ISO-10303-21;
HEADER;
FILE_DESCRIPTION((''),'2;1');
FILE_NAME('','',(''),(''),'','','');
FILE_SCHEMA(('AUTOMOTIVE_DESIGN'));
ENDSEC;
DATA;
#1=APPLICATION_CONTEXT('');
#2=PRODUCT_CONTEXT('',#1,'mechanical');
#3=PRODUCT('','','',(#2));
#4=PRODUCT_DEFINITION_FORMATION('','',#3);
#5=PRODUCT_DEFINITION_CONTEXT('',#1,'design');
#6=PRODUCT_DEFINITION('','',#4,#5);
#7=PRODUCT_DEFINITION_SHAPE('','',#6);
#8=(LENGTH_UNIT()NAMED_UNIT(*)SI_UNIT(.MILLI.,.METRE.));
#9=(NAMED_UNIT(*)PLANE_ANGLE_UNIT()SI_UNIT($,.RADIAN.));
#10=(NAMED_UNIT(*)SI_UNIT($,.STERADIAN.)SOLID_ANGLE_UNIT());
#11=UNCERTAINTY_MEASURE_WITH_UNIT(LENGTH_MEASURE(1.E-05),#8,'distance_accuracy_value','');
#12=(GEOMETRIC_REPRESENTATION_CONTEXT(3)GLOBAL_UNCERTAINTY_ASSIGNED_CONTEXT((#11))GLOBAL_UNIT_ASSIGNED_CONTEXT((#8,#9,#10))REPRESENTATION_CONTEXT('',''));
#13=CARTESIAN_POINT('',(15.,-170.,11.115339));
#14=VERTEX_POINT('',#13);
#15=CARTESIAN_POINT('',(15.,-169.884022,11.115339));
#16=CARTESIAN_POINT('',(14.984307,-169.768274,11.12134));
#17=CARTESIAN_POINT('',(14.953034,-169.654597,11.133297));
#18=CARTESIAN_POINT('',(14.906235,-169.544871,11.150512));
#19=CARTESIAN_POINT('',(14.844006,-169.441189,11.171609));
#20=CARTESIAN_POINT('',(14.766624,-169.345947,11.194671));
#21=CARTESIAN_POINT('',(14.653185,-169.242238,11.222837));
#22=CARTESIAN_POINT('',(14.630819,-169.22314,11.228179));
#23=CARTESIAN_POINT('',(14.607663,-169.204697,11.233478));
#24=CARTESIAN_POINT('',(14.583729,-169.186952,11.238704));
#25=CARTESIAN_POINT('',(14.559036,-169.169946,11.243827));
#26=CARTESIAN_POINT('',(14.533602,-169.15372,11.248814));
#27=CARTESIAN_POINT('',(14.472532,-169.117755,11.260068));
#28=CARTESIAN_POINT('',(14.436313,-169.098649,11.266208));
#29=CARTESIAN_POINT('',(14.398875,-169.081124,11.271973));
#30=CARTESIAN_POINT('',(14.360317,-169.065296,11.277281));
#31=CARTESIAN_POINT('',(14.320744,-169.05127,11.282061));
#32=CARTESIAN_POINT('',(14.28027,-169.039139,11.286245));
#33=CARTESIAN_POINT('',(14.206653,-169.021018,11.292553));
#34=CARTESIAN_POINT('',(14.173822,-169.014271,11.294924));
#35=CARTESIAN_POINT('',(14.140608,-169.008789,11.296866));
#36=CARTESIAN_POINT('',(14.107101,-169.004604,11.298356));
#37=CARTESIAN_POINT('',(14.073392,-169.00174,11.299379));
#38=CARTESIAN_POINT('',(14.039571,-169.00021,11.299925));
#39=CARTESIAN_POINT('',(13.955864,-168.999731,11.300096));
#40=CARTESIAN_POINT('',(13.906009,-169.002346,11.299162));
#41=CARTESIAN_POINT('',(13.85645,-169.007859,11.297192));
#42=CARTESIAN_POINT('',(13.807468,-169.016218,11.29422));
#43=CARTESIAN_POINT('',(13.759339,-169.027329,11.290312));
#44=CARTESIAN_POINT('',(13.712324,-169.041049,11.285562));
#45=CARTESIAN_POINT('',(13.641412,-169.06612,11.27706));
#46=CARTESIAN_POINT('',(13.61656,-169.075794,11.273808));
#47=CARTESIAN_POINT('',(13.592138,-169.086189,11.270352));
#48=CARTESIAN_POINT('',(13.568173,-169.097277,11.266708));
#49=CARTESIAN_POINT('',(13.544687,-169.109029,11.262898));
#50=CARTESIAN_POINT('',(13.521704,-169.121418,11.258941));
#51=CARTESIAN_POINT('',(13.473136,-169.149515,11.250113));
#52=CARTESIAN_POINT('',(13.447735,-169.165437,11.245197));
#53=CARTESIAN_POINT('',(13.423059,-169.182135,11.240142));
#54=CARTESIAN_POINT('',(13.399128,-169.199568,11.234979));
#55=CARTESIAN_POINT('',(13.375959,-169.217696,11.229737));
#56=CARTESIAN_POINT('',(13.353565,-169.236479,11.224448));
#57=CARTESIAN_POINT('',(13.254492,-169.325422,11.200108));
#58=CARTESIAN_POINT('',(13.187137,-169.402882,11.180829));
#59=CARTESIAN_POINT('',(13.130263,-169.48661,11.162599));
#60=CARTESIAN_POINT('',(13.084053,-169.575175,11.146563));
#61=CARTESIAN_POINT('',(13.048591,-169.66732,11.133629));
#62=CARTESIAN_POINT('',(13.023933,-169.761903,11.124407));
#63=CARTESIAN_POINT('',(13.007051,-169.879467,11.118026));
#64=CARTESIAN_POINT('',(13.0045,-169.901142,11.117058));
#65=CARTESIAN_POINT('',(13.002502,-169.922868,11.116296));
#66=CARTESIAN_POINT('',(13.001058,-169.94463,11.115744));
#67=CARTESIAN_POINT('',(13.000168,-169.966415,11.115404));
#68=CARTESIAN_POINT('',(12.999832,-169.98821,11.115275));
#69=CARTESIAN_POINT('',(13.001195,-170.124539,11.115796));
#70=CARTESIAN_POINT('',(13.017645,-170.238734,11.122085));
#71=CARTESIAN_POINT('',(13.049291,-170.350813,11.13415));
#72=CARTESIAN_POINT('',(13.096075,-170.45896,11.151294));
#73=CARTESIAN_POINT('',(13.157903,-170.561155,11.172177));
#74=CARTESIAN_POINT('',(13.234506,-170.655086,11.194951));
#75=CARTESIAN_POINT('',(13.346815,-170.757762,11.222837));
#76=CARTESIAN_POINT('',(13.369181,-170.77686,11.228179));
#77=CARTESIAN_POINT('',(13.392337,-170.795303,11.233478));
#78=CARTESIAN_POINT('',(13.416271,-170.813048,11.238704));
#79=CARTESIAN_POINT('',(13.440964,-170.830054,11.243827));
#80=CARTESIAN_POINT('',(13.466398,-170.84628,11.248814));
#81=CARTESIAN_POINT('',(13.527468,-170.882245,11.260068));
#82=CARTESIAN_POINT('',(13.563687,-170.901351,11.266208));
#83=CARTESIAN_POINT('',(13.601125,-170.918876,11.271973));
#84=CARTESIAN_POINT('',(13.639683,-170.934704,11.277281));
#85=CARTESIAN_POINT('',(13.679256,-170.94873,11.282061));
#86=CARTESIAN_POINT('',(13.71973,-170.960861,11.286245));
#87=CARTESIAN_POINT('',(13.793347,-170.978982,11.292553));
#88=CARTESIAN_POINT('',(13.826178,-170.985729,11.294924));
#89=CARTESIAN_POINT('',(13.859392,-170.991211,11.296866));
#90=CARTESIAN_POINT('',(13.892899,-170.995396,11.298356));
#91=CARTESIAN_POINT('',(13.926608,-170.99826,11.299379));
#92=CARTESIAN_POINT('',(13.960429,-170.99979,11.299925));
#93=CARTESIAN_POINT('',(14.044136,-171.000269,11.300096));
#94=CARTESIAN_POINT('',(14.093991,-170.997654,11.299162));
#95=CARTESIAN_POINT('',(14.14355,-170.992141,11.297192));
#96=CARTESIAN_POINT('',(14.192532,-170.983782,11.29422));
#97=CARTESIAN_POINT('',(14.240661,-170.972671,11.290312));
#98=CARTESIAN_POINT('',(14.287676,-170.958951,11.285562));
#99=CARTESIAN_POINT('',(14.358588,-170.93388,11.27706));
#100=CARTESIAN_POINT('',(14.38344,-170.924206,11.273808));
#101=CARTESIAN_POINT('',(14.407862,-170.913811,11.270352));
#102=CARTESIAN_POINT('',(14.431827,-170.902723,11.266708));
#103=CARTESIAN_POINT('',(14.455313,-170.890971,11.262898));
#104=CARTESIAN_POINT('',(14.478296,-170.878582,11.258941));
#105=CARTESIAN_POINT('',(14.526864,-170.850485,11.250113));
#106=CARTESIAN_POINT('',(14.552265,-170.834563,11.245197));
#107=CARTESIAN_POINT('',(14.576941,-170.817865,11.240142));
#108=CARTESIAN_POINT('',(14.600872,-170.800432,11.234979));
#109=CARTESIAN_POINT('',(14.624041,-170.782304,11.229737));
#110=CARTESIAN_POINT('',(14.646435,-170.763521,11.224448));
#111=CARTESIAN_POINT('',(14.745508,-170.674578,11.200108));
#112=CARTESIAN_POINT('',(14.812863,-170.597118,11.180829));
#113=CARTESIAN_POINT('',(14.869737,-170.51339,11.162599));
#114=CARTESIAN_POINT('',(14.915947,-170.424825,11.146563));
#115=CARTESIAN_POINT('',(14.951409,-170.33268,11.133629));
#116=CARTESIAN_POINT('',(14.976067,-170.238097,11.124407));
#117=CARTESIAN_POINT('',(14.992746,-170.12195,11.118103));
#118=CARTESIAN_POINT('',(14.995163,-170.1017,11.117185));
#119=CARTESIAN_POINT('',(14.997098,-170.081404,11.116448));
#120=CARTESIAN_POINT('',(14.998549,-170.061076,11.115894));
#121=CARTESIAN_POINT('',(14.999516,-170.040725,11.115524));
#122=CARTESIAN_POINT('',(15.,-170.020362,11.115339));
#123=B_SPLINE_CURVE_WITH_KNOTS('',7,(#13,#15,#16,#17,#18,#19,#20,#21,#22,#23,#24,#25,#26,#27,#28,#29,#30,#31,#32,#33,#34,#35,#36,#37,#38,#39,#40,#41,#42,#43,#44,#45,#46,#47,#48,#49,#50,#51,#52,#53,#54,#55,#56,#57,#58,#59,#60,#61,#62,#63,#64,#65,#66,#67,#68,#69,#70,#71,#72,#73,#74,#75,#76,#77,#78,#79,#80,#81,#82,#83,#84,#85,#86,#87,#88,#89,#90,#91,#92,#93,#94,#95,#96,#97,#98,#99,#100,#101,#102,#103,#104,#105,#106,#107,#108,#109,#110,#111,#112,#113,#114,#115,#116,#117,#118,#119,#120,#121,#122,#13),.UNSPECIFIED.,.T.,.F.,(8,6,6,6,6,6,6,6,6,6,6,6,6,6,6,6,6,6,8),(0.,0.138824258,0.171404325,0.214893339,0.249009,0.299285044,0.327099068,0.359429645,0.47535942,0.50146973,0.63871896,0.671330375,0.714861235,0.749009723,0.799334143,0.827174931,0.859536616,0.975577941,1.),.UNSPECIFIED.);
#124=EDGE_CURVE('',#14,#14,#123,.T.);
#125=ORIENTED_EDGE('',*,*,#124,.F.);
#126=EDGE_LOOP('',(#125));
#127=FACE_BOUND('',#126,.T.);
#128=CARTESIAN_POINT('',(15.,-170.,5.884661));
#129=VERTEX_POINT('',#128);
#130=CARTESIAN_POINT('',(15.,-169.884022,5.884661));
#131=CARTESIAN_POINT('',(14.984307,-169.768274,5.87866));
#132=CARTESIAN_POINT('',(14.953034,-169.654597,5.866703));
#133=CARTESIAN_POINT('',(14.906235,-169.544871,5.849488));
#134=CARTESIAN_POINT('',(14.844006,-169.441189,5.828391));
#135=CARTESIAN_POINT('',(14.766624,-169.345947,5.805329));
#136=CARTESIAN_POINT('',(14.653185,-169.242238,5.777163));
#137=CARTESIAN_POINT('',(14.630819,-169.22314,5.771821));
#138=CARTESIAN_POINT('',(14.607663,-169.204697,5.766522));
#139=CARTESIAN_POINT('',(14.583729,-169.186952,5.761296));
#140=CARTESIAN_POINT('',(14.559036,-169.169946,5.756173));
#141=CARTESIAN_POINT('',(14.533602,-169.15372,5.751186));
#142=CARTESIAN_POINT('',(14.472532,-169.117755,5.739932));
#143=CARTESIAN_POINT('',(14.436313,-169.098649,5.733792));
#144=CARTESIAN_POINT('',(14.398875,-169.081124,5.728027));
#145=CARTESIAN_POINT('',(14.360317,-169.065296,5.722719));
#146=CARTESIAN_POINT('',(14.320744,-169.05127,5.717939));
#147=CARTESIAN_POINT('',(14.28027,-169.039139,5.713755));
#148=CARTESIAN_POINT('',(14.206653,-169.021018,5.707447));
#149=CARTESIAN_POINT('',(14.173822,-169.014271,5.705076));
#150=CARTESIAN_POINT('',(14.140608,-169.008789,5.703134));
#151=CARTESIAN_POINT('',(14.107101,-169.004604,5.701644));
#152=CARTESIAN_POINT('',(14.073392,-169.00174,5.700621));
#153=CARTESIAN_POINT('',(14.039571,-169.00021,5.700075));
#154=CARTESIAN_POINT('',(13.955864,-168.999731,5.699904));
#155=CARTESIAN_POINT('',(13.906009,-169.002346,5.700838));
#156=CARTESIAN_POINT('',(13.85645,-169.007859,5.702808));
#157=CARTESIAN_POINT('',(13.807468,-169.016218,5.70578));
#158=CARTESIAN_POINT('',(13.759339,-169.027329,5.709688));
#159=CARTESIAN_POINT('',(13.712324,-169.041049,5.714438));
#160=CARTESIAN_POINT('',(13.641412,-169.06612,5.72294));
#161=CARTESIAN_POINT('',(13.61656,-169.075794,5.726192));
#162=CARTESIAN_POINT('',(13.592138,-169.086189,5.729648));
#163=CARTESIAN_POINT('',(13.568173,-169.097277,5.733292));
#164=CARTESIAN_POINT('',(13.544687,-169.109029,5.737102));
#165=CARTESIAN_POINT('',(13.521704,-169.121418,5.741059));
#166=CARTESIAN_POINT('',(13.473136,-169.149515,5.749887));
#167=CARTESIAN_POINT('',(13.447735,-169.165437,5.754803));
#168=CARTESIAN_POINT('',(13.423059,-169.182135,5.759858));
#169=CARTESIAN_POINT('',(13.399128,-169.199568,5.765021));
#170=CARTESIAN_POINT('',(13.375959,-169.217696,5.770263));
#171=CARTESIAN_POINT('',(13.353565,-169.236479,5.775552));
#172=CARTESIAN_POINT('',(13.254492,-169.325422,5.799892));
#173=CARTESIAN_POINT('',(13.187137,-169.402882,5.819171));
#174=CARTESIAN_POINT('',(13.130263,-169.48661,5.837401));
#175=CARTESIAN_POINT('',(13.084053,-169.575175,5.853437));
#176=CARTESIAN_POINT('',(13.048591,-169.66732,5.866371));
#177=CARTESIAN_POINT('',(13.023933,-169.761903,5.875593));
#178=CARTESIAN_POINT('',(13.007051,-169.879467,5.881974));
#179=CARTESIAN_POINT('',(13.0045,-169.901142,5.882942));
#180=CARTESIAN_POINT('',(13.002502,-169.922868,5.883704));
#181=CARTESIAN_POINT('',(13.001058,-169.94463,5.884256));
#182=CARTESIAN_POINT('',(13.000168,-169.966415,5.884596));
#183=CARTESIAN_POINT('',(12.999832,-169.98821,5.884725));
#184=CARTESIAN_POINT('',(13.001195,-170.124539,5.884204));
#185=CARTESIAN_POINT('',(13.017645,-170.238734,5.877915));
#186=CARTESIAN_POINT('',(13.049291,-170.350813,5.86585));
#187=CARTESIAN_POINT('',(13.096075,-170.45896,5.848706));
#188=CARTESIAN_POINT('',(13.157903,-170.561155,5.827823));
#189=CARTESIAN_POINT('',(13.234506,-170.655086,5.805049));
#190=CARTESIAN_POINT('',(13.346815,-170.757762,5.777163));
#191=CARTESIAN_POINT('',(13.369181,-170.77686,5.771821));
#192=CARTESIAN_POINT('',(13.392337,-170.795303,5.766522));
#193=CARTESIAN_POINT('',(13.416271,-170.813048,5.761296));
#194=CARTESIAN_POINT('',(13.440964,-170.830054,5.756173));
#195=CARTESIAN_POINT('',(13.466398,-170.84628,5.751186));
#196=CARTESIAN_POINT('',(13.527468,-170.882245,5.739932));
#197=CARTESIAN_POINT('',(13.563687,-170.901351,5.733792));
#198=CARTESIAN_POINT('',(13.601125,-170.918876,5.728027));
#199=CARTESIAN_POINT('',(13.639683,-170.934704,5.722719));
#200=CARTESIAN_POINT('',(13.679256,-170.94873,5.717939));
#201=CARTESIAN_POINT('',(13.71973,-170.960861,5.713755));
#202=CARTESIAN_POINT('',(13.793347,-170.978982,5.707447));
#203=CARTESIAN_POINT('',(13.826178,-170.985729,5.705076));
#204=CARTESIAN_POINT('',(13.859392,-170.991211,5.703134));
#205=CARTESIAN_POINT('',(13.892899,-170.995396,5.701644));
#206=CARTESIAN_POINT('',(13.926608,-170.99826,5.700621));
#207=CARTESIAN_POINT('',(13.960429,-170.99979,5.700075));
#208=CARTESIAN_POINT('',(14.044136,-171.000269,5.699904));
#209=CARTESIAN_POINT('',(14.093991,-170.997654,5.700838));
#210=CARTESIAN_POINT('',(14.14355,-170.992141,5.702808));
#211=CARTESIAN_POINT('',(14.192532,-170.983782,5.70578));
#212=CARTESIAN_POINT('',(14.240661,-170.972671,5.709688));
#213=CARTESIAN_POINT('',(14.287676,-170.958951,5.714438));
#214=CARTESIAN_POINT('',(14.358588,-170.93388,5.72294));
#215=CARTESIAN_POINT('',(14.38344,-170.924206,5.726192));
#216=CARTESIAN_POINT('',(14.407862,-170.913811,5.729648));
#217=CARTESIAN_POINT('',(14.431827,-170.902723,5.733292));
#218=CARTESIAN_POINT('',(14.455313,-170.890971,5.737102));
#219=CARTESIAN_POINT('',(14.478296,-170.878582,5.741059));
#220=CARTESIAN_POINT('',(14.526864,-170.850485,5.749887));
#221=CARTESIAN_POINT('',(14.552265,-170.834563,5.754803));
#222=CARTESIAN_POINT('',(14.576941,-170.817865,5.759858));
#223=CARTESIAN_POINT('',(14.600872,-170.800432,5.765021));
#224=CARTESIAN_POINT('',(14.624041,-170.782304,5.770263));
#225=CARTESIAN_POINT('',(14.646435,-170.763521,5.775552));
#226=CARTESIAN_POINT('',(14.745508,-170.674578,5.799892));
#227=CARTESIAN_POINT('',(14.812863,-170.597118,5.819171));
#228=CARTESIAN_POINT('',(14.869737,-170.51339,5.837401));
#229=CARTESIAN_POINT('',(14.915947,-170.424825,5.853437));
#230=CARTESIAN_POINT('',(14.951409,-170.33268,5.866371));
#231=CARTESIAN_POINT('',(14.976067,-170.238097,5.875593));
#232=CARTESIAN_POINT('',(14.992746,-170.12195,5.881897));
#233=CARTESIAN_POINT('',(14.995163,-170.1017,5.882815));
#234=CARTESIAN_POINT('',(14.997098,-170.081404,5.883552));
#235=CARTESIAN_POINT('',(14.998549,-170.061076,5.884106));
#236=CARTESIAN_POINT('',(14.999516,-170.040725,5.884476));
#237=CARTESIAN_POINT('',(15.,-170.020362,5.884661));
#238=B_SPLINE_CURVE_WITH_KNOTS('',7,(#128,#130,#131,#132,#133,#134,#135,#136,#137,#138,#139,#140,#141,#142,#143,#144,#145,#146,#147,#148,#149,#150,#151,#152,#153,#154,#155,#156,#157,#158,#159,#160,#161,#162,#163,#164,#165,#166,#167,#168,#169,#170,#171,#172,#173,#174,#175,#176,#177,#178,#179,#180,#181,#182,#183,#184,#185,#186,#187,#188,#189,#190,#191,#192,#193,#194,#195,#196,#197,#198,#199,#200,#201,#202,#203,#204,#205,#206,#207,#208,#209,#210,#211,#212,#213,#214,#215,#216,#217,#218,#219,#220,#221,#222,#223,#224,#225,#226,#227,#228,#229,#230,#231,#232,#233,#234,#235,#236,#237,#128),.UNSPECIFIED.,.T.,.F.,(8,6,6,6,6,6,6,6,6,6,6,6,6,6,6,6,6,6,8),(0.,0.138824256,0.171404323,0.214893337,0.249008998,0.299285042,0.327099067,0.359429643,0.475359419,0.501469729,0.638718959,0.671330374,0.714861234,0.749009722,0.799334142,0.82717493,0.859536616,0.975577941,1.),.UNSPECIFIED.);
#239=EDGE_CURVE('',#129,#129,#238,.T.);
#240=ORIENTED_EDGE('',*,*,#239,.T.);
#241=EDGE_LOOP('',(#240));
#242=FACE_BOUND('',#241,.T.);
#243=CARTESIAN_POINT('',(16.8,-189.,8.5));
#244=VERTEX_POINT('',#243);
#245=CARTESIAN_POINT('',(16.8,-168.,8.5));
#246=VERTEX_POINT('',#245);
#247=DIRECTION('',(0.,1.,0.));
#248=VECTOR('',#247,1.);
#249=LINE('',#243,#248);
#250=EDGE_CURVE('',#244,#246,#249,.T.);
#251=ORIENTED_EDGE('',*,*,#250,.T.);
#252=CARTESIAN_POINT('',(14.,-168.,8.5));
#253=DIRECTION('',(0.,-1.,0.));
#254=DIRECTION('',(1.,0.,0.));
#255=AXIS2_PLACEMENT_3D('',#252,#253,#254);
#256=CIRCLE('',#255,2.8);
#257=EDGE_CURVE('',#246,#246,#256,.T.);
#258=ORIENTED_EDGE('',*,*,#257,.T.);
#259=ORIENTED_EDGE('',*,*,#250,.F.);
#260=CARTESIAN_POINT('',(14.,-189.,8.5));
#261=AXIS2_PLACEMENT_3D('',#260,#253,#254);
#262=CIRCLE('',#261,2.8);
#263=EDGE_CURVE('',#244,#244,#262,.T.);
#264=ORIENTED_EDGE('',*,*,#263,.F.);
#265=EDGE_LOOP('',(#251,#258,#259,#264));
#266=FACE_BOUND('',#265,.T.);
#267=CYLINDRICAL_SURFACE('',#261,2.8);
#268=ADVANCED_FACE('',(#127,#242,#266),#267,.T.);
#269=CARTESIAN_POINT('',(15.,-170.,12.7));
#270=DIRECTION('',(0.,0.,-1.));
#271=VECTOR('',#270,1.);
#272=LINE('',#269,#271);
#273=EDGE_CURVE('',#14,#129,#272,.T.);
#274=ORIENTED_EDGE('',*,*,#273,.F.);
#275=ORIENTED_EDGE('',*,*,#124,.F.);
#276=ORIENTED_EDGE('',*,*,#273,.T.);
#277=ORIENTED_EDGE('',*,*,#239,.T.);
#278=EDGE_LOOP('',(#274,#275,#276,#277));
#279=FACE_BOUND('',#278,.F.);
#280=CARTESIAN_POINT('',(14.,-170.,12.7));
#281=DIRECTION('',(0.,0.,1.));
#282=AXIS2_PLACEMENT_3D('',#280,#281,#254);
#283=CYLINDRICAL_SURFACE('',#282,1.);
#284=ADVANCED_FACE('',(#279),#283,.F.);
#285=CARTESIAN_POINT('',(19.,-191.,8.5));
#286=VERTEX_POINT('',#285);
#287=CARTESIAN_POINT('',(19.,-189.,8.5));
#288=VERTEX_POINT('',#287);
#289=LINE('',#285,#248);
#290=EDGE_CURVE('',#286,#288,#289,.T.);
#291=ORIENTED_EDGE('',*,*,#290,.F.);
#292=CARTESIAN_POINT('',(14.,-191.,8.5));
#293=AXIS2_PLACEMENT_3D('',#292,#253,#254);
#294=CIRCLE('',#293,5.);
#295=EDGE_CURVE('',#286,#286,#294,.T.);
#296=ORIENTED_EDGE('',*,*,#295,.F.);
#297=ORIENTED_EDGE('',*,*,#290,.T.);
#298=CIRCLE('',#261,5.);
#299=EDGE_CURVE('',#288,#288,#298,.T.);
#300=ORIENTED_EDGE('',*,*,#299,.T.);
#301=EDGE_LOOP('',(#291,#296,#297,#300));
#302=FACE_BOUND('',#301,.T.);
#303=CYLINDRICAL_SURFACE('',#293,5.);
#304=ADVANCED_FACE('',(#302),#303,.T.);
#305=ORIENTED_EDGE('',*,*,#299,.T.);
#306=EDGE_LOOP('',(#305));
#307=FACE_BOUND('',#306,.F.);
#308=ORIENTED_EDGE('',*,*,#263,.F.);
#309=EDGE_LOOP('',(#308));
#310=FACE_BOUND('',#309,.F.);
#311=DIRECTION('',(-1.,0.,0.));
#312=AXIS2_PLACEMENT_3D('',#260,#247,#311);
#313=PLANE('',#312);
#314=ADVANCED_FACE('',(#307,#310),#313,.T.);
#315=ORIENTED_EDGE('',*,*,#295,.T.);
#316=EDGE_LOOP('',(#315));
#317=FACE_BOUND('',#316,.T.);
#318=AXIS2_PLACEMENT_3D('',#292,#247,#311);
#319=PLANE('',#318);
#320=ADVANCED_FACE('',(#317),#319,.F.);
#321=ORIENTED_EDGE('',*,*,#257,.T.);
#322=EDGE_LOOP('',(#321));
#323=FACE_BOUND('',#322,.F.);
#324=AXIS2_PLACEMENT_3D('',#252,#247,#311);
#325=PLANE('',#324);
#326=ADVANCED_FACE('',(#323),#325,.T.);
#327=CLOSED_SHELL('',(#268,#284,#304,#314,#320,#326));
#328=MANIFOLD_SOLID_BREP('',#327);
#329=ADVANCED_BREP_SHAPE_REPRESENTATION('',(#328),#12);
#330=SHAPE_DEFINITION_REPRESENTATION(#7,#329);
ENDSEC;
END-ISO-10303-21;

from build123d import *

# Parameters (mm, degrees)
SKETCH074_R       = 1
PAD075_DEPTH      = 10
CYLINDER048_R     = 2.8
CYLINDER048_DEPTH = 21
CYLINDER049_R     = 5
CYLINDER049_DEPTH = 2
CUT054_ROLL_ANGLE = 90


with BuildPart() as pad075:
    # Sketch074 → Pad075 (new body)
    with BuildSketch(Plane(origin=(0, 4.2, 21), x_dir=(1, 0, 0), z_dir=(0, -1, 0))):
        Circle(SKETCH074_R)
    extrude(amount=PAD075_DEPTH)


with BuildPart() as eje003:
    # Cylinder048 → Cylinder048 (new body)
    with BuildSketch(Plane.XY.offset(2)):
        Circle(CYLINDER048_R)
    extrude(amount=CYLINDER048_DEPTH)


with BuildPart() as eje_full003:
    # Cylinder049 → Cylinder049 (new body)
    with BuildSketch(Plane.XY):
        Circle(CYLINDER049_R)
    extrude(amount=CYLINDER049_DEPTH)

    # Fusion009003073: union Eje003
    add(eje003.part)

    # Cut054: cut Pad075
    add(pad075.part, mode=Mode.SUBTRACT)


with BuildPart() as eje_full003_1:
    # Cut054 roll: moved
    add(eje_full003.part.rotate(Axis((0, 0, 0), (1, 0, 0)), CUT054_ROLL_ANGLE))


with BuildPart() as eje_full003_2:
    # Cut054 placement: moved
    add(eje_full003_1.part.moved(Location((14, 13, 8.5))))


with BuildPart() as eje_full004:
    # Part__Mirroring018: instance of Eje_full003
    add(eje_full003_2.part.mirror(Plane(origin=(0, 0, 0), x_dir=(1, 0, 0), z_dir=(0, 1, 0))))


with BuildPart() as eje_full004_1:
    # Part__Mirroring018 placement: moved
    add(eje_full004.part.moved(Location((0, -178, 0))))


solid = eje_full004_1.part
